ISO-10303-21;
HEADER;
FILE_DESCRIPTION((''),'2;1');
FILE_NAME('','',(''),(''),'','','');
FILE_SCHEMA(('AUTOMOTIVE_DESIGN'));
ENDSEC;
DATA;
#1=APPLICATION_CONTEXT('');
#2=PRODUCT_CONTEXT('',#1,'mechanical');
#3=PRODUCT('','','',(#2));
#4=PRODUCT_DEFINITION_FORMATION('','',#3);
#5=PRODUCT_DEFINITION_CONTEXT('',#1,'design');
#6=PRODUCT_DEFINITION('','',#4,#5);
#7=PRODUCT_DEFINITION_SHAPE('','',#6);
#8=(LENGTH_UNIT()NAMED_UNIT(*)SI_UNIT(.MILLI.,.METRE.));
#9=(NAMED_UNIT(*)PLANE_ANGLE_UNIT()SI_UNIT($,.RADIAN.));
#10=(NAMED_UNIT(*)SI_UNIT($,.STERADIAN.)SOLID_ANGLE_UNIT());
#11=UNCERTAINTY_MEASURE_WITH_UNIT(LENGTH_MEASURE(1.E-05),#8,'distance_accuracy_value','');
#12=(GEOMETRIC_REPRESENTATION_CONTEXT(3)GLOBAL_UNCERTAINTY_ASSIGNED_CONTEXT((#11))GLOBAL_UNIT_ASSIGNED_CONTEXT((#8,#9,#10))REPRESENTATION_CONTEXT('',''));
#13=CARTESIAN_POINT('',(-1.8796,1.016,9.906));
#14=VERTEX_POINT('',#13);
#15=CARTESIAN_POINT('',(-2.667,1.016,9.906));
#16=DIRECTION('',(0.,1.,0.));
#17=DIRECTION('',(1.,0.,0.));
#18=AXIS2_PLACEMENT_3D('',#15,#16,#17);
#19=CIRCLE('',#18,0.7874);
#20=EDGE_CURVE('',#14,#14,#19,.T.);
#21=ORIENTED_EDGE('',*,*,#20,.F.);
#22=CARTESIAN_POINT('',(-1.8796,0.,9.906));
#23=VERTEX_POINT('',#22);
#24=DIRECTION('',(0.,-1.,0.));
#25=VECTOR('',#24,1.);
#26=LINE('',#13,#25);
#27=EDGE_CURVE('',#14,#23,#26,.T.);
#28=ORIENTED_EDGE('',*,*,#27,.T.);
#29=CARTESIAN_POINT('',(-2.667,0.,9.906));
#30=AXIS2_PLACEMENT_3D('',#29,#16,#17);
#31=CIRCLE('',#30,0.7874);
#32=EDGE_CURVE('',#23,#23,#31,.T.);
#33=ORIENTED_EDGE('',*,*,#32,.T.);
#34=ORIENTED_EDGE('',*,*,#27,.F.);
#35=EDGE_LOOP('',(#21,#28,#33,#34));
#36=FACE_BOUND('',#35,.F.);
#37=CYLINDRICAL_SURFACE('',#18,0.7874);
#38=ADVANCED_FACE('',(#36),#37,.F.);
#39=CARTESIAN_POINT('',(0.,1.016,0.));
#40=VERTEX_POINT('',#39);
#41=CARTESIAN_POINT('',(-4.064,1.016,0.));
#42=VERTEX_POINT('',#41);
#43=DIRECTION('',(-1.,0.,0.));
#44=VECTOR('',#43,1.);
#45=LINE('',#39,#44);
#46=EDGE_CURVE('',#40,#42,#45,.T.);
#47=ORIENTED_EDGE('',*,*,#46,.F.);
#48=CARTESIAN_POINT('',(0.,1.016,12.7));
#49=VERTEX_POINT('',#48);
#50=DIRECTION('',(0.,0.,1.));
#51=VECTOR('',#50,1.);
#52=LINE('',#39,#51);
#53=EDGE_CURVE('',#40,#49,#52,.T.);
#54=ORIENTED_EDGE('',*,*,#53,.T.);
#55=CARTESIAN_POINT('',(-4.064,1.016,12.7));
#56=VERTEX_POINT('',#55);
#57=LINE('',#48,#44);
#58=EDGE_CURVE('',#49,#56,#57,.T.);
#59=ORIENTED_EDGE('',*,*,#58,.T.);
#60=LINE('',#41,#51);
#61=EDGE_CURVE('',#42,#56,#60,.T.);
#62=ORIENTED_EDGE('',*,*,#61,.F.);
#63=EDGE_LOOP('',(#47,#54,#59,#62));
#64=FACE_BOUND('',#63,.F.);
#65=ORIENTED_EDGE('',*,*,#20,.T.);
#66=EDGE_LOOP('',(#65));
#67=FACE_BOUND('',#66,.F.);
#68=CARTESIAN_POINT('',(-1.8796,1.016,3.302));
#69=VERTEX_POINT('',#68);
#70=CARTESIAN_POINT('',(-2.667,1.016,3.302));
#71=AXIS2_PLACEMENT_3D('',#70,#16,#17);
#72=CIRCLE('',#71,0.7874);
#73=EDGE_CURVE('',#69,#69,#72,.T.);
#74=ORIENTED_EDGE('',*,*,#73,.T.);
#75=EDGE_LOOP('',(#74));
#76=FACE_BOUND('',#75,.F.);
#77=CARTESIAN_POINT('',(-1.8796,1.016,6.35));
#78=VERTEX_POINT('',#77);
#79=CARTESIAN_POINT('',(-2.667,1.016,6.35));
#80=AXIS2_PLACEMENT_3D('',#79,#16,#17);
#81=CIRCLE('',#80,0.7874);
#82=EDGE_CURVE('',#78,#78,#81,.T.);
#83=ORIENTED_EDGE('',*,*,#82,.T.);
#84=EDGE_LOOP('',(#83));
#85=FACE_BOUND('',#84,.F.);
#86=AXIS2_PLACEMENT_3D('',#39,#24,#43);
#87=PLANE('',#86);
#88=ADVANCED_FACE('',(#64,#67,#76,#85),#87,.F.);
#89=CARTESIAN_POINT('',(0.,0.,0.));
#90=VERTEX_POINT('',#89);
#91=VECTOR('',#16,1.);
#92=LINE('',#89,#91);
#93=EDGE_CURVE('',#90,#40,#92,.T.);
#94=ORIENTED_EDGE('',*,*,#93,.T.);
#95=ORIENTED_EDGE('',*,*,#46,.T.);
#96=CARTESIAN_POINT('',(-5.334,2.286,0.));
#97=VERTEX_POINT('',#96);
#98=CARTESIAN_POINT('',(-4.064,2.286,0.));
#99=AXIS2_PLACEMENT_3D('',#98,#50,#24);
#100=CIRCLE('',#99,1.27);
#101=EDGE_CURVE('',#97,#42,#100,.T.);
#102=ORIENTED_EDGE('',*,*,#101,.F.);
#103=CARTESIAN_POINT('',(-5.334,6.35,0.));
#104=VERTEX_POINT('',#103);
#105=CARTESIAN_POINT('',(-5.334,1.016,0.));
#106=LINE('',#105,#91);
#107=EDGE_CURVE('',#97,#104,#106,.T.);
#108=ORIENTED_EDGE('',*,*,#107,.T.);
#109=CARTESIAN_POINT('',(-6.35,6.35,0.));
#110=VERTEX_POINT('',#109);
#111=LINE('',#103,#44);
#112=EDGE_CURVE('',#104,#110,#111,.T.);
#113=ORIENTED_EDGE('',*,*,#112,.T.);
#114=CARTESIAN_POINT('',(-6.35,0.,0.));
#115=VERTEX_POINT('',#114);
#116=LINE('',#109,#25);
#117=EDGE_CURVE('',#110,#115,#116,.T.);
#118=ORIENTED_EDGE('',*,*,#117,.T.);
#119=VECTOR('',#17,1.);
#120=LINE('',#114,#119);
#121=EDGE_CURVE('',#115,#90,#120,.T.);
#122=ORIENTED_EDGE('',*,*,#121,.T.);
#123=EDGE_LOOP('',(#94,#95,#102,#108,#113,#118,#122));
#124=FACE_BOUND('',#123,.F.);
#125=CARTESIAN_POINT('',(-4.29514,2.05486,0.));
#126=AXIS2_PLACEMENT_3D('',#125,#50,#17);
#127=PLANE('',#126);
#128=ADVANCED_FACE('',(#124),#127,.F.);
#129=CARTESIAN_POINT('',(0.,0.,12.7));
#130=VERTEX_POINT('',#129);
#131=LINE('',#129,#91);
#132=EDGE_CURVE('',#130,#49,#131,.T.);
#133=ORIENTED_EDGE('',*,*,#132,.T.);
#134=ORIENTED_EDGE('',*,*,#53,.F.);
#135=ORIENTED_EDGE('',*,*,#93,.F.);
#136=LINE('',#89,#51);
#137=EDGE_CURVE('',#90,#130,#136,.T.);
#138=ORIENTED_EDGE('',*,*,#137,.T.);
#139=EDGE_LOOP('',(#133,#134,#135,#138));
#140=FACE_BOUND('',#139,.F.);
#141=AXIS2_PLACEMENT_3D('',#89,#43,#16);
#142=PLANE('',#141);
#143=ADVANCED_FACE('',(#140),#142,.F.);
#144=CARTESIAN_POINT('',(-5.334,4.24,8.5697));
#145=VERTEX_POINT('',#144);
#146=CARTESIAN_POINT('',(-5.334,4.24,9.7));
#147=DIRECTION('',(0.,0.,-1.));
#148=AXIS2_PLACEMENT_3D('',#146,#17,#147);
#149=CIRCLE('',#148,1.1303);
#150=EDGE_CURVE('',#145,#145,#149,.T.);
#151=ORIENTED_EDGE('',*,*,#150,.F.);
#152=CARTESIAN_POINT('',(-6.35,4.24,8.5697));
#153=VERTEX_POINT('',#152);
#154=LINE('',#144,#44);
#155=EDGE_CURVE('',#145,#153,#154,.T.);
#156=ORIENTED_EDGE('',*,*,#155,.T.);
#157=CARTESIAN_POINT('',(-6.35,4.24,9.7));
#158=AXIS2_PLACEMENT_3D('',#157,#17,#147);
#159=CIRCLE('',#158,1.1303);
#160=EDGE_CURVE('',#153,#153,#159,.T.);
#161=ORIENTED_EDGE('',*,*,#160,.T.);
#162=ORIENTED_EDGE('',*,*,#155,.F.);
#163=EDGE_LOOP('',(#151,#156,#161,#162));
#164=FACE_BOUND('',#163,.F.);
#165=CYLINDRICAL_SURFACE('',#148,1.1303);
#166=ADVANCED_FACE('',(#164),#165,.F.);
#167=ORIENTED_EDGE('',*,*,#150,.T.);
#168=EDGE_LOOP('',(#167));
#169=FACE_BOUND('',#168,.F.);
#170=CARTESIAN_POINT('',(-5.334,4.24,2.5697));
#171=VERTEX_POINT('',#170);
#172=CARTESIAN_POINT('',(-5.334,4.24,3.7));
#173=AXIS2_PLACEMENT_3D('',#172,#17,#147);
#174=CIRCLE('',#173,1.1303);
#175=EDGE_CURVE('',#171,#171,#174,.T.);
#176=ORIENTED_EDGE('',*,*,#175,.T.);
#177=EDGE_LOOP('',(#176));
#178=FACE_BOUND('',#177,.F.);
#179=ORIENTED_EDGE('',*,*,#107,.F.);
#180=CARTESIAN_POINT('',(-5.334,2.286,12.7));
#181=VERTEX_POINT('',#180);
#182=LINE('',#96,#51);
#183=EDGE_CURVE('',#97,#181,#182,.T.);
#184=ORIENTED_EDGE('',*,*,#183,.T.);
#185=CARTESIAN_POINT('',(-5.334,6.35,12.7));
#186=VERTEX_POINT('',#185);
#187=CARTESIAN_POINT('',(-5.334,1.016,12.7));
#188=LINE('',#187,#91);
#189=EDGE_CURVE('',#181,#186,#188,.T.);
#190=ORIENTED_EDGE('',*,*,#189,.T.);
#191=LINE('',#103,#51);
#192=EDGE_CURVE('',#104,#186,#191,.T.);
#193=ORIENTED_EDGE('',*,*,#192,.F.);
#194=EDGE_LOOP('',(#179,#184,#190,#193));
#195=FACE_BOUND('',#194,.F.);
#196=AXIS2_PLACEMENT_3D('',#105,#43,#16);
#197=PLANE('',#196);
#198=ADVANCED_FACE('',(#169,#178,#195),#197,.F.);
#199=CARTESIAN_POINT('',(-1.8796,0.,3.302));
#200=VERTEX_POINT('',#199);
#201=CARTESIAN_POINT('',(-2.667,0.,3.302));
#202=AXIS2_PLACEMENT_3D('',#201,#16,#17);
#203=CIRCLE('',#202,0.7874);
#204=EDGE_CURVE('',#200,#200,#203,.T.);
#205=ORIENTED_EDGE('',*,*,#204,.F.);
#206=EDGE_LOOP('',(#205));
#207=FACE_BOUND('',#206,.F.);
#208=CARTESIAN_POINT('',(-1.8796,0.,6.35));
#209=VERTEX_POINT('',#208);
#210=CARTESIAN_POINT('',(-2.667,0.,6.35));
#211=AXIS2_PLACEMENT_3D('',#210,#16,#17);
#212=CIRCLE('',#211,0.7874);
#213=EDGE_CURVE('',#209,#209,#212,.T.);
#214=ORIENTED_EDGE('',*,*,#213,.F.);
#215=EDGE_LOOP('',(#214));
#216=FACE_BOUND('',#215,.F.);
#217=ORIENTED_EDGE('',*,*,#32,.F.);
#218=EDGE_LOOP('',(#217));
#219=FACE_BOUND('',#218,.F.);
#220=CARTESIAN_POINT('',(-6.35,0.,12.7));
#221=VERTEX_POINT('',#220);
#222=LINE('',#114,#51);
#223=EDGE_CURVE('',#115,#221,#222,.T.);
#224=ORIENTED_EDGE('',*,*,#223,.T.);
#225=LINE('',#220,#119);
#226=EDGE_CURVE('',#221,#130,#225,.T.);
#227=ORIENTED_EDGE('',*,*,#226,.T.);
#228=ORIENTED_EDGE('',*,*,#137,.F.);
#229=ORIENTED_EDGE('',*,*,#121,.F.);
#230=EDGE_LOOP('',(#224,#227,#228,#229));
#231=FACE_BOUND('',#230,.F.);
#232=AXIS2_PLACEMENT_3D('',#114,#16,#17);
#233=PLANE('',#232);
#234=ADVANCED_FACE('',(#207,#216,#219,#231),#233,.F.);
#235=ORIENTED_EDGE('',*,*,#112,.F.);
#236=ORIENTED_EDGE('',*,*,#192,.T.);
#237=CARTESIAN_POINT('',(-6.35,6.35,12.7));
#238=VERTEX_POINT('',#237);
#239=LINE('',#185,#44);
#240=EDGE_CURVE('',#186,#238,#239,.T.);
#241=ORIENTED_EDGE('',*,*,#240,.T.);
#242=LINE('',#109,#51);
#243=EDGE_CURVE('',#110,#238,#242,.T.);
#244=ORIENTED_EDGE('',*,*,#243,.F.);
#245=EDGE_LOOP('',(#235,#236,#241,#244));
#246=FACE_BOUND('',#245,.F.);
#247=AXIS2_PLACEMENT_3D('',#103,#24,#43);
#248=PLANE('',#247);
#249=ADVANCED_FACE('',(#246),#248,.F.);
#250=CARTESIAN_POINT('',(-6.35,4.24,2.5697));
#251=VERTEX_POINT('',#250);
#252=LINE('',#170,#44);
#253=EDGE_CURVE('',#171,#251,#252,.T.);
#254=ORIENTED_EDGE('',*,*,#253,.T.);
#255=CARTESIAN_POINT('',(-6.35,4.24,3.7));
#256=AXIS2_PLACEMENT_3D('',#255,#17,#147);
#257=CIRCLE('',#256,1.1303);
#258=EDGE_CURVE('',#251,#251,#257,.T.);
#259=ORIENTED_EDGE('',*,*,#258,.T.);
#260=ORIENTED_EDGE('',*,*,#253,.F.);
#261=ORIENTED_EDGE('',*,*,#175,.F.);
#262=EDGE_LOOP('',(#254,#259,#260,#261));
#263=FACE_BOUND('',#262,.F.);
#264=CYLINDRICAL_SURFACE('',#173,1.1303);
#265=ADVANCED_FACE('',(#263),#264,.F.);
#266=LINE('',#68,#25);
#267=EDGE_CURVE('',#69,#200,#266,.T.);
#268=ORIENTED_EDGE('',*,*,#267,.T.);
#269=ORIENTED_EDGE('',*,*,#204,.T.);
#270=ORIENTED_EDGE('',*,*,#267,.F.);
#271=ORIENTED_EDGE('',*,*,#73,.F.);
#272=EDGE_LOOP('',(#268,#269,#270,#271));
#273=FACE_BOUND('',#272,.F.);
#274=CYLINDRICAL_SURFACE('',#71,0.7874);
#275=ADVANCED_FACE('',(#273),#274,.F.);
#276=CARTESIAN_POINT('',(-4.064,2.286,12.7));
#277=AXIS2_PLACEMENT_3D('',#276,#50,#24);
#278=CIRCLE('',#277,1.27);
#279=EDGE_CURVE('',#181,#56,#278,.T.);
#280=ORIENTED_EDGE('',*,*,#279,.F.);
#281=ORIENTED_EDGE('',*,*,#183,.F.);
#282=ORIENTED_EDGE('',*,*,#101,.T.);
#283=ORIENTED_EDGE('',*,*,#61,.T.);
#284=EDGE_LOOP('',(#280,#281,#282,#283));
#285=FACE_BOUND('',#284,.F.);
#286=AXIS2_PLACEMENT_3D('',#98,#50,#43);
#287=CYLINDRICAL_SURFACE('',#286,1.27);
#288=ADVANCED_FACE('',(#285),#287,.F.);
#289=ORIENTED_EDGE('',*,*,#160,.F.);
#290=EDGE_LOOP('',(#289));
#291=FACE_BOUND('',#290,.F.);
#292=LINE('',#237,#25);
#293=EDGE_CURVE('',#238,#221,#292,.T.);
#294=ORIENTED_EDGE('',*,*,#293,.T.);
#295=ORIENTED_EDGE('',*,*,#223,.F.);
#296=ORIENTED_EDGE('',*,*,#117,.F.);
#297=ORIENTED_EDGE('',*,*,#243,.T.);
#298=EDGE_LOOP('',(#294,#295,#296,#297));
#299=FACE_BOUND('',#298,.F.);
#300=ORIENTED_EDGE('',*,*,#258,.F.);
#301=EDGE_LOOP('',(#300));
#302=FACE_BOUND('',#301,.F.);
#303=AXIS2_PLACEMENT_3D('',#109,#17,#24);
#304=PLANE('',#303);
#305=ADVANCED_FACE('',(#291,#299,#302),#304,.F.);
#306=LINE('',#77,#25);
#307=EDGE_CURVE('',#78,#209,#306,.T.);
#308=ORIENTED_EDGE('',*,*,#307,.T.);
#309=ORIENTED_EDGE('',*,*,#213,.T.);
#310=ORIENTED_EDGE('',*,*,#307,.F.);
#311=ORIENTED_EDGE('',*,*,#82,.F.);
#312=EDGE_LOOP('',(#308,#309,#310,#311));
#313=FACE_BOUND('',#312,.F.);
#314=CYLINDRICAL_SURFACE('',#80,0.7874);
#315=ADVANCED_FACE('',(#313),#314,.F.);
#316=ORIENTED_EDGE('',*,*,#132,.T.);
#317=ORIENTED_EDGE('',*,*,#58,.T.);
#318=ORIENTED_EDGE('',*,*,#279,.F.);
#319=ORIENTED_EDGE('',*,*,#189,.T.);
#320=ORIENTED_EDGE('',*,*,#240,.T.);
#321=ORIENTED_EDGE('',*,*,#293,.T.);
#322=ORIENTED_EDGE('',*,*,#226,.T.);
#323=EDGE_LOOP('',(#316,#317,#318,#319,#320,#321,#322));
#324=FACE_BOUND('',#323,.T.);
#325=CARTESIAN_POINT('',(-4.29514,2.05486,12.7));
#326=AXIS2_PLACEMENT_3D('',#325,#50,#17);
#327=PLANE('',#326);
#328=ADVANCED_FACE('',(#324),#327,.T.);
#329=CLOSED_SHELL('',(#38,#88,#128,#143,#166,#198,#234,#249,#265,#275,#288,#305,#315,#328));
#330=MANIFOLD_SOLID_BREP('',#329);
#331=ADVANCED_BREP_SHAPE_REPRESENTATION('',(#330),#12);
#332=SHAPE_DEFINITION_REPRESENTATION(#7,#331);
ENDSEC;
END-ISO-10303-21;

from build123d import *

# Parameters (mm, degrees)
BOSS_EXTRUDE1_DEPTH = 12.7
SKETCH3_R           = 0.7874
CUT_EXTRUDE1_DEPTH  = 2.54
FILLET1_R           = 1.27
CUT_EXTRUDE2_REACH  = 3.016
SKETCH4_R           = 1.1303


with BuildPart() as part:
    # Sketch1 → Boss-Extrude1 (new body)
    with BuildSketch(Plane.XY):
        Polygon((-6.35, 6.35), (-6.35, 0), (0, 0), (0, 1.016), (-5.334, 1.016), (-5.334, 6.35), align=None)
    extrude(amount=BOSS_EXTRUDE1_DEPTH)

    # Sketch3 → Cut-Extrude1 (cut)
    with BuildSketch(Plane(origin=(0, 1.016, 0), x_dir=(1, 0, 0), z_dir=(0, 1, 0))):
        with Locations((-2.667, -9.906)):
            Circle(SKETCH3_R)
        with Locations((-2.667, -6.35)):
            Circle(SKETCH3_R)
        with Locations((-2.667, -3.302)):
            Circle(SKETCH3_R)
    extrude(amount=-CUT_EXTRUDE1_DEPTH, mode=Mode.SUBTRACT)

    # Fillet1
    fillet1_edges = [part.edges().sort_by_distance(p)[0] for p in [
        (-5.334, 1.016, 6.35),
    ]]
    fillet(fillet1_edges, radius=FILLET1_R)

    # Sketch4 → Cut-Extrude2 (cut, up to next)
    with BuildSketch(Plane(origin=(-5.334, 0, 0), x_dir=(0, 0, -1), z_dir=(1, 0, 0)), mode=Mode.PRIVATE) as cut_extrude2_sk1:
        with Locations((-9.7, 4.24)):
            Circle(SKETCH4_R)
    cut_extrude2_tool1 = extrude(cut_extrude2_sk1.sketch, amount=-CUT_EXTRUDE2_REACH, mode=Mode.PRIVATE) & part.part
    add(cut_extrude2_tool1.solids().sort_by_distance((-5.334, 4.24, 9.7))[0], mode=Mode.SUBTRACT)
    # Sketch4 → Cut-Extrude2 (cut, up to next)
    with BuildSketch(Plane(origin=(-5.334, 0, 0), x_dir=(0, 0, -1), z_dir=(1, 0, 0)), mode=Mode.PRIVATE) as cut_extrude2_sk2:
        with Locations((-3.7, 4.24)):
            Circle(SKETCH4_R)
    cut_extrude2_tool2 = extrude(cut_extrude2_sk2.sketch, amount=-CUT_EXTRUDE2_REACH, mode=Mode.PRIVATE) & part.part
    add(cut_extrude2_tool2.solids().sort_by_distance((-5.334, 4.24, 3.7))[0], mode=Mode.SUBTRACT)


solid = part.part
